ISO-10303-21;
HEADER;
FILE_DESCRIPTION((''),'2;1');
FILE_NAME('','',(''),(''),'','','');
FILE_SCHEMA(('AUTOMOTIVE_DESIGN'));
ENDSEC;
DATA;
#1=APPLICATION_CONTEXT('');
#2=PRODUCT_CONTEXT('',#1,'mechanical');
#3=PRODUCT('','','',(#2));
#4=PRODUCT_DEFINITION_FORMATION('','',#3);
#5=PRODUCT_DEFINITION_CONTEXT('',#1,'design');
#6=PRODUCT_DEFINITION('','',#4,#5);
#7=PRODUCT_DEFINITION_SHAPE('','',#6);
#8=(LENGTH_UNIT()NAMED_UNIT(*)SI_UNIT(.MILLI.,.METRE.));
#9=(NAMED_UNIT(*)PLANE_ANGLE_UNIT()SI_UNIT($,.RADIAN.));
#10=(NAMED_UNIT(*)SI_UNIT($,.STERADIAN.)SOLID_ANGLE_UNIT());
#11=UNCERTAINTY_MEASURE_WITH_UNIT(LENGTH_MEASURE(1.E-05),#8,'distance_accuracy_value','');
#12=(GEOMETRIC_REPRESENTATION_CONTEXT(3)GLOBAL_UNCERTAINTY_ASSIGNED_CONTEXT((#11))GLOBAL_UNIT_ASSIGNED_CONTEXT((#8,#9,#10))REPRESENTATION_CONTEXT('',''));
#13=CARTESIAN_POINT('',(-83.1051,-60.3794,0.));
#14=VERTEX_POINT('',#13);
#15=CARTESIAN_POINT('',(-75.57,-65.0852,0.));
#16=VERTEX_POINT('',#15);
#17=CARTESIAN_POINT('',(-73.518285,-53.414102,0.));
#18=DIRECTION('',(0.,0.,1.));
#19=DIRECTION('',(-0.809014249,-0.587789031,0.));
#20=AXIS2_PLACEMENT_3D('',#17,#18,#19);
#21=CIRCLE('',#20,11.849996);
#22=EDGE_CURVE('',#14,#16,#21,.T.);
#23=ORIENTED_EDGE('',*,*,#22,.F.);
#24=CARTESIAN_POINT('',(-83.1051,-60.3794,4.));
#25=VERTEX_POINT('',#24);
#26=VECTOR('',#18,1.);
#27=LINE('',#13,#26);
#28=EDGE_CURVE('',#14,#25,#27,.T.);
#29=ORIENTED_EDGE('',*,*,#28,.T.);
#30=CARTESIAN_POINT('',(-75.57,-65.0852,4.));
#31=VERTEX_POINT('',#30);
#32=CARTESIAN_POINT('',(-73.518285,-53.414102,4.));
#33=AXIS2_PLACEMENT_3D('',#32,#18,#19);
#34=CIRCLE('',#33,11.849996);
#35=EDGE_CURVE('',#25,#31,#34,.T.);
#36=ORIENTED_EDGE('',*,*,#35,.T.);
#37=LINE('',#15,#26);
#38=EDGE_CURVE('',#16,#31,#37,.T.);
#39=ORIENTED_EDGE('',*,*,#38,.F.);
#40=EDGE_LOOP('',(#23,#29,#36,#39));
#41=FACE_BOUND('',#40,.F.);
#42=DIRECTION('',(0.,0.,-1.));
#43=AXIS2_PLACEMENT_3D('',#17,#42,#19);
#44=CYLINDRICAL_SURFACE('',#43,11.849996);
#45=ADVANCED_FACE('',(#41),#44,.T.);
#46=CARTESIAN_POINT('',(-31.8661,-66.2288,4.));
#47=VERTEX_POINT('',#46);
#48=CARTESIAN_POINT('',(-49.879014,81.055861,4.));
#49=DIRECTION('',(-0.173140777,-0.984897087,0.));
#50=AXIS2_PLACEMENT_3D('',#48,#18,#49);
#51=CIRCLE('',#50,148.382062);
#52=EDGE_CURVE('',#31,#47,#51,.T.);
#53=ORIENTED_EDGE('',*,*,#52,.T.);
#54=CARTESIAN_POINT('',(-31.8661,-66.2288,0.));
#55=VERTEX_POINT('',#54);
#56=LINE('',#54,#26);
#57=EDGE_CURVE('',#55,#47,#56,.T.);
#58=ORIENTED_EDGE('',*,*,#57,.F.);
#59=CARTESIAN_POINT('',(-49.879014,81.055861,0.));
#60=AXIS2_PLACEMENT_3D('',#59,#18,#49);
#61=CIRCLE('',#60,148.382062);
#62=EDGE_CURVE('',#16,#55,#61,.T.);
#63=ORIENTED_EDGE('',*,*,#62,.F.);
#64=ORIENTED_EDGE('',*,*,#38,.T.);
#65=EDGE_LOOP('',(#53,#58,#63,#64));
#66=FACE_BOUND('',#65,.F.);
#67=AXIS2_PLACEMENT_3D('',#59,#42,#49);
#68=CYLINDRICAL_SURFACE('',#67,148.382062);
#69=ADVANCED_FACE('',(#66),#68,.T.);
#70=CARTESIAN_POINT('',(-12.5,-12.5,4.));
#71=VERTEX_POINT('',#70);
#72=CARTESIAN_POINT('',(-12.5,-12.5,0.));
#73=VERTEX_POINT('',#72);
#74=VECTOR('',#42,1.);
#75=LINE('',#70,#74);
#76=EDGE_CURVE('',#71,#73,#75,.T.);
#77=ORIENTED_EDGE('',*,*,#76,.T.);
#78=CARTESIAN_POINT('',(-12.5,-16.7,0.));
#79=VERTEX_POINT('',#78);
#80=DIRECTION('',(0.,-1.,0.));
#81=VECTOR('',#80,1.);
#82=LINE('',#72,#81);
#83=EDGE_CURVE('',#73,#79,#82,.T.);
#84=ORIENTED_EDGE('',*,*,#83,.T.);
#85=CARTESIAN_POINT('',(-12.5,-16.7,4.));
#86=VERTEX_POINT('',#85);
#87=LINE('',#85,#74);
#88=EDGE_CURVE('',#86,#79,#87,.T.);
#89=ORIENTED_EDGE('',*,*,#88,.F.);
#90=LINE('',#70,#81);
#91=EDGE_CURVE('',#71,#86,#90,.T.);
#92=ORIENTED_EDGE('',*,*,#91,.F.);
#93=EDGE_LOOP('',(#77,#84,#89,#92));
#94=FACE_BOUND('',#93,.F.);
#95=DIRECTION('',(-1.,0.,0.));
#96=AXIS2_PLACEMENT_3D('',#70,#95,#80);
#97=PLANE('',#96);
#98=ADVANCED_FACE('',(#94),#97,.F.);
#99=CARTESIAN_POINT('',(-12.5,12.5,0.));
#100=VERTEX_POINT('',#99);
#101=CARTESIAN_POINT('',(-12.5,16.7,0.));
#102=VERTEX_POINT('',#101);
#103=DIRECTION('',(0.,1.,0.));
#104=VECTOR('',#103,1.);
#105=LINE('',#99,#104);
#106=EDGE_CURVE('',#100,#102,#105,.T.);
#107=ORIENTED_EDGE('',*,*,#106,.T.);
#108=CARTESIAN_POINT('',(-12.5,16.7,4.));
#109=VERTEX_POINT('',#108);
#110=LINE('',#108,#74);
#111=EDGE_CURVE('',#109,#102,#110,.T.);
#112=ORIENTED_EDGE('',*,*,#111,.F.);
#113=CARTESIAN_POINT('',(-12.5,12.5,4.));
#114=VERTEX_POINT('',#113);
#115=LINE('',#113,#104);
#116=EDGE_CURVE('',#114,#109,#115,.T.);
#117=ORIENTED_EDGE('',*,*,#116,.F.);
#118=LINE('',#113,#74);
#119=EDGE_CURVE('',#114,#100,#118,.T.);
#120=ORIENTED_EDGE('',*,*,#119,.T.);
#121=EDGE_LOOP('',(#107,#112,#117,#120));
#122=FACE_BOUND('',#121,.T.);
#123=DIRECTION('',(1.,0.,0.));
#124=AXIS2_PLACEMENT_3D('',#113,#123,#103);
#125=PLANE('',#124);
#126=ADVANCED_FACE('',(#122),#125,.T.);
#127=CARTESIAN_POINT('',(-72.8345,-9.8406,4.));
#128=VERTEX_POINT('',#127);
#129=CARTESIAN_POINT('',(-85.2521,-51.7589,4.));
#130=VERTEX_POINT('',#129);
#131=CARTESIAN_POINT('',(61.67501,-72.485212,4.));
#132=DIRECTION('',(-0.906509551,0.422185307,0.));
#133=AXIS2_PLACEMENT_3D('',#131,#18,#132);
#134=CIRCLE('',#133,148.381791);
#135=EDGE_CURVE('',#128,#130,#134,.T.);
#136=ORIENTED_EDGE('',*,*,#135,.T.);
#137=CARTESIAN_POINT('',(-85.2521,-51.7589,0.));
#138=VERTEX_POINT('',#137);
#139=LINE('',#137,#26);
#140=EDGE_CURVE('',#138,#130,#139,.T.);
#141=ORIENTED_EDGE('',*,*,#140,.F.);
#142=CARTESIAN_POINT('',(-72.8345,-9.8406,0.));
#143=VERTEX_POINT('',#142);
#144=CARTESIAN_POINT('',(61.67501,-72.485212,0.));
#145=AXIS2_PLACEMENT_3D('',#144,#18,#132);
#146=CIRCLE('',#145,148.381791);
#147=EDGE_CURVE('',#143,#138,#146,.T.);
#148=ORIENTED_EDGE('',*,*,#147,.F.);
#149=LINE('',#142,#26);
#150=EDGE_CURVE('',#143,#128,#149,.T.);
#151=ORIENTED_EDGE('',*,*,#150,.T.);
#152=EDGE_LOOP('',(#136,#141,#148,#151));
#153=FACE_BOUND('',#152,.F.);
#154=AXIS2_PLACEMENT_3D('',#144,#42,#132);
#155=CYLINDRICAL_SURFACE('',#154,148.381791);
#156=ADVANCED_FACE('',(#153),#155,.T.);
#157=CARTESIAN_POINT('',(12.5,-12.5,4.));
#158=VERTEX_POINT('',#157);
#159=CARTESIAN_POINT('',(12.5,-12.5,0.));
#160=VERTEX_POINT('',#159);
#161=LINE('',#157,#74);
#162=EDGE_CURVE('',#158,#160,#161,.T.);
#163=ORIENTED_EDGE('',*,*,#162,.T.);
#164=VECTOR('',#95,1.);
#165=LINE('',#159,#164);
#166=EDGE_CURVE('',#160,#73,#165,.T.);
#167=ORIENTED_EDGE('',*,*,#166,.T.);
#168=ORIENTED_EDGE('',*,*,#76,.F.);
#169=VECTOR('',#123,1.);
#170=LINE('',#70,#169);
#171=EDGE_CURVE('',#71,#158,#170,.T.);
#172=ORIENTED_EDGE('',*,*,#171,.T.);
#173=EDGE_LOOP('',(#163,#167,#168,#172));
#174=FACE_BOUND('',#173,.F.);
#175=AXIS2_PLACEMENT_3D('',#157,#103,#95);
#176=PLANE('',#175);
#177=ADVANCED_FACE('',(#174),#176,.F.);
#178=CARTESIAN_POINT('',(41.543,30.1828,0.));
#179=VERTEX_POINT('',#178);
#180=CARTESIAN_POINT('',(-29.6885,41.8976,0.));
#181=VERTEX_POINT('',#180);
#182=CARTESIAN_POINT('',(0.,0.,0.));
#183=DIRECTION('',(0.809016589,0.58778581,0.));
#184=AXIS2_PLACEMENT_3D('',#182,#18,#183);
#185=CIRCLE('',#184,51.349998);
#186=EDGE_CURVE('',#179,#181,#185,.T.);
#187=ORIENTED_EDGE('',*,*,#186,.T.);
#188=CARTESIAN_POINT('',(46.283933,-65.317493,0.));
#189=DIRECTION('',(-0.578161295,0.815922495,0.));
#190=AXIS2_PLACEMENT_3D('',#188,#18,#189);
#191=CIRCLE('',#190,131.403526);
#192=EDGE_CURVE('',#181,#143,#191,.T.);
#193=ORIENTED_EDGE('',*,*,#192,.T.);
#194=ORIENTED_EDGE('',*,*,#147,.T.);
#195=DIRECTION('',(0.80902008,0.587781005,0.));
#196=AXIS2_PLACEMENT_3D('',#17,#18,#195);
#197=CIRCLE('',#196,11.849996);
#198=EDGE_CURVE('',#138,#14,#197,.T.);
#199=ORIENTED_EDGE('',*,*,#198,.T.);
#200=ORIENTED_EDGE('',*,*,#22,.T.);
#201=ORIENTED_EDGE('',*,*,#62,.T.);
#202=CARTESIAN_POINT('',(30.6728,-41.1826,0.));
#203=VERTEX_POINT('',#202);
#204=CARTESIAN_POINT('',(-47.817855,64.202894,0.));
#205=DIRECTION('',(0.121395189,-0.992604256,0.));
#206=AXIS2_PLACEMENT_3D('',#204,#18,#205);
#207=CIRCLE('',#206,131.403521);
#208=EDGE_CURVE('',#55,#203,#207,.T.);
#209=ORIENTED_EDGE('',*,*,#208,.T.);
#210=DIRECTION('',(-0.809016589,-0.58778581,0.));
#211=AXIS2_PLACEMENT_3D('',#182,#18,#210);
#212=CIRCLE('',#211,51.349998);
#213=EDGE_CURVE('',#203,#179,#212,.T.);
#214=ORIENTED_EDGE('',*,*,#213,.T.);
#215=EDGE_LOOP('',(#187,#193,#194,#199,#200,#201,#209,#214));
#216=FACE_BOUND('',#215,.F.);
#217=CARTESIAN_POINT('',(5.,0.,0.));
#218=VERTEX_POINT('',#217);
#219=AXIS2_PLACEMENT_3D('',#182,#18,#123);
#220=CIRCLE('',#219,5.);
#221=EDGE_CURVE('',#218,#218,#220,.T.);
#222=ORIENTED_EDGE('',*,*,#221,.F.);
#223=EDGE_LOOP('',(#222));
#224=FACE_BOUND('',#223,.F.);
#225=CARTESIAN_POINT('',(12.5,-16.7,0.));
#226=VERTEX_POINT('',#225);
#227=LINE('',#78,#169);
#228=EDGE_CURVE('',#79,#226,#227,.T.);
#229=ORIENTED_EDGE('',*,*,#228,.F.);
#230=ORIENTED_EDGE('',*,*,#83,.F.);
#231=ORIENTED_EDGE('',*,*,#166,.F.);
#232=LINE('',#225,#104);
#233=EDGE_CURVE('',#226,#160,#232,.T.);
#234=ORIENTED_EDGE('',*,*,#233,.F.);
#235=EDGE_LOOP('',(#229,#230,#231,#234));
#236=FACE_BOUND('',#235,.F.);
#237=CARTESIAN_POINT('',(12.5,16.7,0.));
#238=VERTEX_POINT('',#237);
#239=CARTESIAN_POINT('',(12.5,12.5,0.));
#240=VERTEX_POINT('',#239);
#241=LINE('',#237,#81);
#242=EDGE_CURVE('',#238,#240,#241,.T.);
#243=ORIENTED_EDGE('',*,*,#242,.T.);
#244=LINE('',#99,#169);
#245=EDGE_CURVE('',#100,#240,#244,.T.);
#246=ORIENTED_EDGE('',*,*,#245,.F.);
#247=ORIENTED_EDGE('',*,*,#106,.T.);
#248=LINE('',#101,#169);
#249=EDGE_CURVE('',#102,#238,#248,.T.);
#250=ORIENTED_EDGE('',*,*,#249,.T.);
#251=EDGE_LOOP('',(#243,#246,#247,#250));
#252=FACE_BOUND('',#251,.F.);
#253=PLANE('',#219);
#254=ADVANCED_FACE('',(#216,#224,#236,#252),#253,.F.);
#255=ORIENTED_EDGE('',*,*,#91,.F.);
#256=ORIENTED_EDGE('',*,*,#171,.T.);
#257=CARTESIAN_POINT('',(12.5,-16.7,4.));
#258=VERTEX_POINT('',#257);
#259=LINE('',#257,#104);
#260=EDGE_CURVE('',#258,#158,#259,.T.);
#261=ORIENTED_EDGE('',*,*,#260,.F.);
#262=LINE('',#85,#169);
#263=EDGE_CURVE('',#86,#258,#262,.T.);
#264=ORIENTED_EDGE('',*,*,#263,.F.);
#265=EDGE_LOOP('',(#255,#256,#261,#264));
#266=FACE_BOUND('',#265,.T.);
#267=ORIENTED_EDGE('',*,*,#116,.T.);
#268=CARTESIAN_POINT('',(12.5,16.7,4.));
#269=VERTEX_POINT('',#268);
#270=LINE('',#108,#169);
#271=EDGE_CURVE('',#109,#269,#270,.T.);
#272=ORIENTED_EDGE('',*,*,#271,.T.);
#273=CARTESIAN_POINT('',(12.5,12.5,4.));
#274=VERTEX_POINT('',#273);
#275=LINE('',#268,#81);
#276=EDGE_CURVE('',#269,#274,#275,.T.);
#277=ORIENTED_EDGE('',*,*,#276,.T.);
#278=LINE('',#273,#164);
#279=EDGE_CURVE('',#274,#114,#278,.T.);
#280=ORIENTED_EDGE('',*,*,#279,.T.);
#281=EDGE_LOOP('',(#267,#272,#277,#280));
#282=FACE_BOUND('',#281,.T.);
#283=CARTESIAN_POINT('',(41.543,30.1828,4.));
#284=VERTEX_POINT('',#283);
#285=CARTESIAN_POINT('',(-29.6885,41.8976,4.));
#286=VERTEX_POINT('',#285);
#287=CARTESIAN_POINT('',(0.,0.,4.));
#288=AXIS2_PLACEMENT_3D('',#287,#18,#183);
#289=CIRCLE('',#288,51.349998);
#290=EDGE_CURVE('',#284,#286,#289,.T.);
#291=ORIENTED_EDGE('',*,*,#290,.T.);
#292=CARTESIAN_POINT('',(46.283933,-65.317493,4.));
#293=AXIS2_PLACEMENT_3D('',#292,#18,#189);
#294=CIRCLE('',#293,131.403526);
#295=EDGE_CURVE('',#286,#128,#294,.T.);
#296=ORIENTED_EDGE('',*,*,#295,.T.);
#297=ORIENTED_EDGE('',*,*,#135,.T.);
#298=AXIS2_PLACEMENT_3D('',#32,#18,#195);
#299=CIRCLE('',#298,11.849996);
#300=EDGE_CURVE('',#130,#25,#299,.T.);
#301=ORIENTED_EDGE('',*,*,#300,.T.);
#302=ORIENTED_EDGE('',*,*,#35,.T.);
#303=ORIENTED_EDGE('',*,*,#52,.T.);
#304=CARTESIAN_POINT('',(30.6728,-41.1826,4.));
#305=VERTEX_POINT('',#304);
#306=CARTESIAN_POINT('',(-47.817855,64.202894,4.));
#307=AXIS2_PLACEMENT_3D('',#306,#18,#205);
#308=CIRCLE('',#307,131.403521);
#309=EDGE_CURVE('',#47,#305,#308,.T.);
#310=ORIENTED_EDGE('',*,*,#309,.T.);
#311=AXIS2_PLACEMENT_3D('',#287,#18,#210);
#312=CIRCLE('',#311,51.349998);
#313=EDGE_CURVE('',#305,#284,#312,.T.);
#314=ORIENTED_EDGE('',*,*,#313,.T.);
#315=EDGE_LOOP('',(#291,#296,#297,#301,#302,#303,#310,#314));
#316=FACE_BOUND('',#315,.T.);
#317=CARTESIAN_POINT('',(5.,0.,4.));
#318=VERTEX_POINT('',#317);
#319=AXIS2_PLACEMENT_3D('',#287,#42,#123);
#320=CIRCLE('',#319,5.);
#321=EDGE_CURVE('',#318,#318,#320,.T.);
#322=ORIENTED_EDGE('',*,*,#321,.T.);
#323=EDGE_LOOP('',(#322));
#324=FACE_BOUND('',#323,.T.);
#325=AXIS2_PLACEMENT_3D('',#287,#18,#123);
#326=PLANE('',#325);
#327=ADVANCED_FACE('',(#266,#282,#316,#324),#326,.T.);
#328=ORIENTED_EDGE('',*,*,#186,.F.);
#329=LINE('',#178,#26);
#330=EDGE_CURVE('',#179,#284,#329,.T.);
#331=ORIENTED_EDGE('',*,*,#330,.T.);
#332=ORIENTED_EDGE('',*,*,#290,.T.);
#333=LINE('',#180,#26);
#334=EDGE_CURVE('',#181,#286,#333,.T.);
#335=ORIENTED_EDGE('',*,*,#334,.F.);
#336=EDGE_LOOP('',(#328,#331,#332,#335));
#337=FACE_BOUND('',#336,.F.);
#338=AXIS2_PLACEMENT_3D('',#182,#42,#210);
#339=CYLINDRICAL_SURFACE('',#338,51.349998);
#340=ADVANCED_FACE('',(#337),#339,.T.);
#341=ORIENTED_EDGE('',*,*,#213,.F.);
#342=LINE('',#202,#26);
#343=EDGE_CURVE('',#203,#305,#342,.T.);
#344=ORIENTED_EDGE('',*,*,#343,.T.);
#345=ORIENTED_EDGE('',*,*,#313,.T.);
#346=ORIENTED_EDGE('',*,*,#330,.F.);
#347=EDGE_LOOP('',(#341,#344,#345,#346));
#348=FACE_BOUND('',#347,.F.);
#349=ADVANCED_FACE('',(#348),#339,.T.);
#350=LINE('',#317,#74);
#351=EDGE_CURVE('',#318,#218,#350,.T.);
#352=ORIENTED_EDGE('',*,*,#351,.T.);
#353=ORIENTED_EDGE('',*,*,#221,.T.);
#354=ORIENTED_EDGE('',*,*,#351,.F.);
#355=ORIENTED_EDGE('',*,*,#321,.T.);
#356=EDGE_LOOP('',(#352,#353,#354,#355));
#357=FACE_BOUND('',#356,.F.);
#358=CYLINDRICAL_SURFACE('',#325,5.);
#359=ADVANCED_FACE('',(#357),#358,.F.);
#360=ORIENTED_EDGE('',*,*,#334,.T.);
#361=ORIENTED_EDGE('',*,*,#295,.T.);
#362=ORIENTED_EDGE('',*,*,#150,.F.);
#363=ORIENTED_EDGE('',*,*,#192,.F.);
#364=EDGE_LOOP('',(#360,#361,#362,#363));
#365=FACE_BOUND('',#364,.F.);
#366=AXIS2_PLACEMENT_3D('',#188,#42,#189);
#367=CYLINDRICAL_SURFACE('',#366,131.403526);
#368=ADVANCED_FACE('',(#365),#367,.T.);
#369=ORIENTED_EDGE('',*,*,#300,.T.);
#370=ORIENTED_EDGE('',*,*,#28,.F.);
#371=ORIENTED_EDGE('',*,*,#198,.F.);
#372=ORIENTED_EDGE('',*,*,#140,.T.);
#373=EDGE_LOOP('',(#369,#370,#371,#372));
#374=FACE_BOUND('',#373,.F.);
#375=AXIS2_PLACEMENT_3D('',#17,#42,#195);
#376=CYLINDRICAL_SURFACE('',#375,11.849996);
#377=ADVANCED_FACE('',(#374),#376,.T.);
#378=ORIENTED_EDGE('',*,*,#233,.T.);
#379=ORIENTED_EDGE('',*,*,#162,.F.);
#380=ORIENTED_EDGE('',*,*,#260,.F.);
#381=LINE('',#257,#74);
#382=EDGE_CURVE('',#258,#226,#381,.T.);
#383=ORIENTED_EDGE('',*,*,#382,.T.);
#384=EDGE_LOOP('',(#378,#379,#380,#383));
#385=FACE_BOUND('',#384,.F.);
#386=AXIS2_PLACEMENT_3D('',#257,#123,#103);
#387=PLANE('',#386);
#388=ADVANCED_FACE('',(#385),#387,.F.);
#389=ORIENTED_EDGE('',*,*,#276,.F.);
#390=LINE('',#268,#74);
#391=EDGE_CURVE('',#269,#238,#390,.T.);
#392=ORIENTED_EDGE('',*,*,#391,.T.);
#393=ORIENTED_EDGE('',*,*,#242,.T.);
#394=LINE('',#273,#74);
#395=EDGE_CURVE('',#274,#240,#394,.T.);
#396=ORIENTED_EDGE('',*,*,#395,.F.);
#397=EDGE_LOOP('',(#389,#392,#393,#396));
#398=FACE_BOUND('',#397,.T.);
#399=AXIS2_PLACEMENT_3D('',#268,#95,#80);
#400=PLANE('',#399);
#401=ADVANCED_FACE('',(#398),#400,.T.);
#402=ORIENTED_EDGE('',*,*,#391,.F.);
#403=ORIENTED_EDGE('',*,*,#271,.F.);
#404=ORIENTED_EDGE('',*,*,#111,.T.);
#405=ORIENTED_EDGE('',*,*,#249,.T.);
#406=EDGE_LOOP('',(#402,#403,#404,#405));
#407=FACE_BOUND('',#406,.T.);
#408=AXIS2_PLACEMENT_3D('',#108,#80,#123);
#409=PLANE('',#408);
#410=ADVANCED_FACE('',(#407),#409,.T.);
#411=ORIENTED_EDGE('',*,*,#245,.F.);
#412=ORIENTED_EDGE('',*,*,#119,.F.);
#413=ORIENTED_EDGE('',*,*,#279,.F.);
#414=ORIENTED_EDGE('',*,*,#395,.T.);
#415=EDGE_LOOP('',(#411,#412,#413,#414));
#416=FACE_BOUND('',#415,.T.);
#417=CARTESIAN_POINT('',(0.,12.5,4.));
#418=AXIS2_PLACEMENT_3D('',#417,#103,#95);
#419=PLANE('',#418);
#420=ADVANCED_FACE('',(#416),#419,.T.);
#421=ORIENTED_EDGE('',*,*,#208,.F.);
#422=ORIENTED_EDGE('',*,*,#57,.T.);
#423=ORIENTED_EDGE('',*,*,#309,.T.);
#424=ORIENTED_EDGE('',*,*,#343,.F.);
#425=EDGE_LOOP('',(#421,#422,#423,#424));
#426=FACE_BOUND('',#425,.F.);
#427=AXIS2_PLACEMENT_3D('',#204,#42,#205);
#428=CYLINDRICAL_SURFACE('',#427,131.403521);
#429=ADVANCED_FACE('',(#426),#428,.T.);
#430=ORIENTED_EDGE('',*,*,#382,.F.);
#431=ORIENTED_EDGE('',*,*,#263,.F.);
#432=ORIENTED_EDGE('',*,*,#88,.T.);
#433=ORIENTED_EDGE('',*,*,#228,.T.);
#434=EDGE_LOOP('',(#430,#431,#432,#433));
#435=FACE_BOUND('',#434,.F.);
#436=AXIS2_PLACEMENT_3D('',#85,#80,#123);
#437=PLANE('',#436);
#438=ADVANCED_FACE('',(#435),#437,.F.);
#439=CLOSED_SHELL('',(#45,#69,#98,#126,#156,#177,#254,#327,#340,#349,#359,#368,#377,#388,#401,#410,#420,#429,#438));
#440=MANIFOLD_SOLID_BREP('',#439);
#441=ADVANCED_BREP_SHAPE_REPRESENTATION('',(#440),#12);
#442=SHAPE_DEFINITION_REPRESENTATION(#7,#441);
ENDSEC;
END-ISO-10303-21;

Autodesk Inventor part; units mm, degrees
ref_plane "YZ Plane" through (0, 0, 0) normal (1, 0, 0) x (0, 1, 0)
ref_plane "XZ Plane" through (0, 0, 0) normal (0, 1, 0) x (-1, 0, 0)
ref_plane "XY Plane" through (0, 0, 0) normal (0, 0, 1) x (1, 0, 0)
sketch "Boceto1" plane through (0, 0, 0) normal (0, 0, 1) x (1, 0, 0)
  arc A0 (41.543, 30.1828) -> (-41.543, -30.1828) centre (0, 0) ccw
  arc A1 (-63.9314, -46.4489) -> (-83.1051, -60.3794) centre (-73.5183, -53.4142) ccw
  line L0 (-85.8808, -62.396) -> (-92.846, -52.8092)
  line L1 (-29.6885, 41.8976) -> (-41.2973, 57.8757)
  line L2 (-41.2973, 57.8757) -> (-92.846, -52.8092)
  line L3 (-92.846, -52.8092) -> (-72.8345, -9.8406)
  arc A2 (-29.6885, 41.8976) -> (-72.8345, -9.8406) centre (46.2832, -65.3167) ccw
  arc A3 (-72.8345, -9.8406) -> (-85.2521, -51.7589) centre (61.6763, -72.4857) ccw
  line L4 (3.1956, 2.3218) -> (41.543, 30.1828)
  line L5 (-3.1956, -2.3218) -> (-85.8808, -62.396)
  arc A4 (-41.543, -30.1828) -> (41.543, 30.1828) centre (0, 0) ccw
  arc A5 (-83.1051, -60.3794) -> (-63.9314, -46.4489) centre (-73.5183, -53.4142) ccw
  line L6 (-85.8808, -62.396) -> (-78.9155, -71.9829)
  line L7 (30.6728, -41.1826) -> (42.2815, -57.1607)
  line L8 (42.2815, -57.1607) -> (-78.9155, -71.9829)
  line L9 (-78.9155, -71.9829) -> (-31.8661, -66.2288)
  arc A6 (-31.8661, -66.2288) -> (30.6728, -41.1826) centre (-47.8176, 64.2019) ccw
  arc A7 (-75.57, -65.0852) -> (-31.8661, -66.2288) centre (-49.8789, 81.057) ccw
  dimension "d0" = 102.7
  dimension "d6" = 23.7
  dimension "d7" = 11.85
  dimension "d8" = 19.75
  dimension "d9" = 47.4
extrude "Extrusión2" add sketch "Boceto1" along normal blind 4 contours A4 A0 | A0 L5 A1 A3 A2 | A6 A7 A5 L5 A4 | L5 A1 | A5 L5
sketch "Boceto2" plane through (0, 0, 4) normal (0, 0, 1) x (1, 0, 0)
  line L0 (0, 0) -> (0, 12.5)
  line L1 (0, 12.5) -> (-12.5, 12.5)
  line L2 (-12.5, 12.5) -> (-12.5, 16.7)
  line L3 (-12.5, 16.7) -> (12.5, 16.7)
  line L4 (12.5, 16.7) -> (12.5, 12.5)
  line L5 (12.5, 12.5) -> (0, 12.5)
  line L6 (0, 0) -> (12.5, 0)
  line L7 (0, 0) -> (0, -12.5)
  line L8 (0, -12.5) -> (-12.5, -12.5)
  line L9 (-12.5, -12.5) -> (-12.5, -16.7)
  line L10 (-12.5, -16.7) -> (12.5, -16.7)
  line L11 (12.5, -16.7) -> (12.5, -12.5)
  line L12 (12.5, -12.5) -> (0, -12.5)
  circle A0 centre (0, 0) radius 5
  dimension "d24" = 12.5
  dimension "d25" = 12.5
  dimension "d26" = 4.2
  dimension "d27" = 25
  dimension "d28" = 10
extrude "Extrusión3" cut sketch "Boceto2" against normal blind 4
properties part number "leva00" material "Madera (abedul)"
